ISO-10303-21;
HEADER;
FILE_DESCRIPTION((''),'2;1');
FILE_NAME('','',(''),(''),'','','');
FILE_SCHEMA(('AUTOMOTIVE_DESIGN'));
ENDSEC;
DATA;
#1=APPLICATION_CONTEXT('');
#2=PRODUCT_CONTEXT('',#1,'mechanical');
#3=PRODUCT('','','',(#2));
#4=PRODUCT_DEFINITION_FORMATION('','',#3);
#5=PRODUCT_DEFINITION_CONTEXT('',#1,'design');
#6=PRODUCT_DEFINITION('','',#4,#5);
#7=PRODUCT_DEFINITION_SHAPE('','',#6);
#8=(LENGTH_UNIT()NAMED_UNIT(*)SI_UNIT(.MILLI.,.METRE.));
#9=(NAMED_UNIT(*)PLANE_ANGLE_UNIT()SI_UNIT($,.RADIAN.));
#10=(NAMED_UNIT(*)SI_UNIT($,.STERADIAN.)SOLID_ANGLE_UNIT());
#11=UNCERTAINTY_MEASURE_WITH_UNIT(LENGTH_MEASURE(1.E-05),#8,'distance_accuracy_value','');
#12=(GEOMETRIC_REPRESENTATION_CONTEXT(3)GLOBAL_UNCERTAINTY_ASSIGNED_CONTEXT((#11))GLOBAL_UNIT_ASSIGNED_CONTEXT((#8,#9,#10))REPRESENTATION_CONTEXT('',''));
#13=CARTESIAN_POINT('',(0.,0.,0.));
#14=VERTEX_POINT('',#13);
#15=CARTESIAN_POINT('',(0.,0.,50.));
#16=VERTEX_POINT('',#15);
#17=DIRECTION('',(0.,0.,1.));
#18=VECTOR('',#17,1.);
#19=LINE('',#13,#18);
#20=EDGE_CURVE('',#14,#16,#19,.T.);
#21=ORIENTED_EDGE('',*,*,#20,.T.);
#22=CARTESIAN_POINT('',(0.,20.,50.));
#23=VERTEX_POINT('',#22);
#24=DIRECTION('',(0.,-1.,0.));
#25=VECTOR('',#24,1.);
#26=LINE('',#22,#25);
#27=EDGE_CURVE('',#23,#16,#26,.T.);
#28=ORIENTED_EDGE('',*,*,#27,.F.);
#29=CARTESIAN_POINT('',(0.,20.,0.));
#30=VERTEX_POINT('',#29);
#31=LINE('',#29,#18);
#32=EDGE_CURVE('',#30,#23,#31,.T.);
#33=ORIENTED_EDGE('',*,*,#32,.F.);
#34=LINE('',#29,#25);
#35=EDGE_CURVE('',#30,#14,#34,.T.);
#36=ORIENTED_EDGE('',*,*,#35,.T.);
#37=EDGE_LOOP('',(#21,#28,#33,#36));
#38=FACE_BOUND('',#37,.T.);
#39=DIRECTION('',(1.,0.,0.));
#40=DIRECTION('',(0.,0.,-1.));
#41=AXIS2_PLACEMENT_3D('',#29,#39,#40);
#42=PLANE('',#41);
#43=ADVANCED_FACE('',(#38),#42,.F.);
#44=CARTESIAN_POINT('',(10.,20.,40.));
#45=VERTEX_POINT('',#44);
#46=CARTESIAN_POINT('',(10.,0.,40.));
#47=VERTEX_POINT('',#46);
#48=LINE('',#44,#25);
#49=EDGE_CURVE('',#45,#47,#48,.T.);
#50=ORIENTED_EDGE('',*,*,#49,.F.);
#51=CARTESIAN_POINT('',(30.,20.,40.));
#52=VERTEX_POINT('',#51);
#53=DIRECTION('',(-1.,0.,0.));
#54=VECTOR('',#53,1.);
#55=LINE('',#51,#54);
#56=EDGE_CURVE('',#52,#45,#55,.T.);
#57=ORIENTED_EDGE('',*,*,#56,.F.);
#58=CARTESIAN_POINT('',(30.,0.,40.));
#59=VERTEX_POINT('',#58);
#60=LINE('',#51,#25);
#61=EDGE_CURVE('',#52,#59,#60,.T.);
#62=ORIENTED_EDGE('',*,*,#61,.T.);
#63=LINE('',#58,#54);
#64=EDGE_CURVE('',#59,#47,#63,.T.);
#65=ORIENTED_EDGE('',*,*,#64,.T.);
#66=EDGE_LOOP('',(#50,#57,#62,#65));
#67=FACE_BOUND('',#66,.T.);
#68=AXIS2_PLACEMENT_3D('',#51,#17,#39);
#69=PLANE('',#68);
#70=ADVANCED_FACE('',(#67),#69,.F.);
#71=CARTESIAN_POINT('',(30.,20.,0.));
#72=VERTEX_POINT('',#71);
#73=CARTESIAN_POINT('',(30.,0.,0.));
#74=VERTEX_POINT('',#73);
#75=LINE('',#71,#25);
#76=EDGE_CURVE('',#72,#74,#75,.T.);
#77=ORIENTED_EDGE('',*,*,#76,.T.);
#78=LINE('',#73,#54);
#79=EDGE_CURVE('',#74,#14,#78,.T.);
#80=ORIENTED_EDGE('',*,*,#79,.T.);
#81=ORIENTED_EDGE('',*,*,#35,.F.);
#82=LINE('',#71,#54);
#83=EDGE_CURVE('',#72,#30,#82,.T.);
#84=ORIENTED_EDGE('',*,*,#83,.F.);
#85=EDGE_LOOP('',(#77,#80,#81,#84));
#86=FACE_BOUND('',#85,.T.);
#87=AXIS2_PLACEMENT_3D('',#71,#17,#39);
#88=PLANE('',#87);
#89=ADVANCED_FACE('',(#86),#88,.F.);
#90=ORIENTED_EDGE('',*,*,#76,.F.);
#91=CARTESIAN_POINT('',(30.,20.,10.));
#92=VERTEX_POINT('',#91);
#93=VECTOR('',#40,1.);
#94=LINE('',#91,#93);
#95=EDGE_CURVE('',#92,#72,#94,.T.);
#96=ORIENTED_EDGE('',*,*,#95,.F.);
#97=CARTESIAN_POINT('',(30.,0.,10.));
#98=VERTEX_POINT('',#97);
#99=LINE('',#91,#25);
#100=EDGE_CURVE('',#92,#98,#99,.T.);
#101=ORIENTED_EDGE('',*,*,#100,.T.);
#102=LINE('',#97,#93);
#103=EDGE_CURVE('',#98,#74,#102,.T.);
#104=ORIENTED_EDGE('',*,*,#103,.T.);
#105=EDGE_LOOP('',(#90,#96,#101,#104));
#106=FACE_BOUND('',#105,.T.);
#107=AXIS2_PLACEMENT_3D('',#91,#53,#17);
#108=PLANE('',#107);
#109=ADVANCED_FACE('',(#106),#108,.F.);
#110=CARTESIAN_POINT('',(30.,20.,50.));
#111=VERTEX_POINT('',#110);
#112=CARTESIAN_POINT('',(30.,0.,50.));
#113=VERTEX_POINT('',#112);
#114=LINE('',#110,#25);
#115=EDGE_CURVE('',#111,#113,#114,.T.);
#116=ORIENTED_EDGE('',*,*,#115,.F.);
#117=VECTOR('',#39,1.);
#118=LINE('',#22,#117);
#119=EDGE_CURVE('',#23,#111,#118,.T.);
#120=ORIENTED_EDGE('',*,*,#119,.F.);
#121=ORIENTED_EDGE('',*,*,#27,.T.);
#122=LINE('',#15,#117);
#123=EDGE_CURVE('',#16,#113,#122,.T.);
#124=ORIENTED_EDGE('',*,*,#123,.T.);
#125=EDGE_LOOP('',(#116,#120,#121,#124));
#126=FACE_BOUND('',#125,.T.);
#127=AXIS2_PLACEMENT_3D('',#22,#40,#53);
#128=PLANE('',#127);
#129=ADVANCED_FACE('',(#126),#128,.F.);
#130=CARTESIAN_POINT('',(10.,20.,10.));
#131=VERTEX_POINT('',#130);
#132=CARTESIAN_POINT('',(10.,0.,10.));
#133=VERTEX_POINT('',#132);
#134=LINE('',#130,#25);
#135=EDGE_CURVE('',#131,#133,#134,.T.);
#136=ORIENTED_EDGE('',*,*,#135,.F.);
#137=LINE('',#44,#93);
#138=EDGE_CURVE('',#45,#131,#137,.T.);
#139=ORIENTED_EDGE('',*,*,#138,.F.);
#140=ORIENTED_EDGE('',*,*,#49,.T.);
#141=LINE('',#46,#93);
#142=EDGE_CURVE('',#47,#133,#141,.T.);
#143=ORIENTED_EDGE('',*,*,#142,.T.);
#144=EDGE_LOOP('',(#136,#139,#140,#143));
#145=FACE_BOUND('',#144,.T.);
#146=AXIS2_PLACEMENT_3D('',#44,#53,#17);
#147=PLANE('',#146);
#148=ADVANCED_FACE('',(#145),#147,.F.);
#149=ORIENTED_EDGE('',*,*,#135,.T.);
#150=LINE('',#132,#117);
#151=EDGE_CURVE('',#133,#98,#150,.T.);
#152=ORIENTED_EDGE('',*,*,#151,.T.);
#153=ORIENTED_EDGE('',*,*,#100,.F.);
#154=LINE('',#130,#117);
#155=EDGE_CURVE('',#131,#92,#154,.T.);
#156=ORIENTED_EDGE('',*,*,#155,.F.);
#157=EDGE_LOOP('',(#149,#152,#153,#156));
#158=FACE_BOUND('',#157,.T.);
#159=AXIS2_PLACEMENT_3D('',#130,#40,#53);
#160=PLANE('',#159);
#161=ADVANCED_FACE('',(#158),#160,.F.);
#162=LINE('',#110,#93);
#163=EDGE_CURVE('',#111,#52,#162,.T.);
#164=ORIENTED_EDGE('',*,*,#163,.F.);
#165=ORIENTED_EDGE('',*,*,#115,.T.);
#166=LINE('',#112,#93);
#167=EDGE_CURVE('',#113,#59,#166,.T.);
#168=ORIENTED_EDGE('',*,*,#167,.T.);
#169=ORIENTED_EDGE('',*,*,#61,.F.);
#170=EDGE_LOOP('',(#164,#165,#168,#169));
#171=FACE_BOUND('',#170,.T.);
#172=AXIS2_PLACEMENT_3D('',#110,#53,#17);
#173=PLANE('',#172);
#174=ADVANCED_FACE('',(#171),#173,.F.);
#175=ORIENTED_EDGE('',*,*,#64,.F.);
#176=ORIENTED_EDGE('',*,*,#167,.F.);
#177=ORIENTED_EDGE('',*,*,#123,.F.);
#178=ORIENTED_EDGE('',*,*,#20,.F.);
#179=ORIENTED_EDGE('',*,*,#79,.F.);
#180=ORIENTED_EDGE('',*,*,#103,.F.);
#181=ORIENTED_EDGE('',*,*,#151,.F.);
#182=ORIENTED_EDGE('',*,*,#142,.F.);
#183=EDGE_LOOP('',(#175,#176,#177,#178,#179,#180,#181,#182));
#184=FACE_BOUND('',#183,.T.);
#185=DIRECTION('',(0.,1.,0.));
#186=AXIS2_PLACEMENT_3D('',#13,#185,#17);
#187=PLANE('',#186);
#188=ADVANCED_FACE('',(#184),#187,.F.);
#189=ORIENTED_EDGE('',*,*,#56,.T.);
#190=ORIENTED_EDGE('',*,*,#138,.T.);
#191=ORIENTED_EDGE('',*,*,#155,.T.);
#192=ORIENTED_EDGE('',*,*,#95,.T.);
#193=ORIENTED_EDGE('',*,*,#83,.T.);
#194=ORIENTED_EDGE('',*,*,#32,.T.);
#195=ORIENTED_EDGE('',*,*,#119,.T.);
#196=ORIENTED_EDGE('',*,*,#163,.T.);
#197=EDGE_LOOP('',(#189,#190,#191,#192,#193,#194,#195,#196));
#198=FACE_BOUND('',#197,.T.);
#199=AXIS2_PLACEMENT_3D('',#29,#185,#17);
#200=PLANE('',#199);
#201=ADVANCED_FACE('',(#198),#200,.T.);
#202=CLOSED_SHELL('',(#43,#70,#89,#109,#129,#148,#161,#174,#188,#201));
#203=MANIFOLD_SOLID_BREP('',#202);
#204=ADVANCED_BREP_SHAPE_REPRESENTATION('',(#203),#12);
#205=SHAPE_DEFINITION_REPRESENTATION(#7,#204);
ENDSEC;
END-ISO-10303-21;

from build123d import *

# Parameters (mm, degrees)
BOSS_EXTRUDE1_DEPTH = 20


with BuildPart() as part:
    # Sketch1 → Boss-Extrude1 (new body)
    with BuildSketch(Plane(origin=(0, 0, 0), x_dir=(1, 0, 0), z_dir=(0, 1, 0))):
        Polygon((0, 0), (0, -50), (30, -50), (30, -40), (10, -40), (10, -10), (30, -10), (30, 0), align=None)
    extrude(amount=BOSS_EXTRUDE1_DEPTH)


solid = part.part
